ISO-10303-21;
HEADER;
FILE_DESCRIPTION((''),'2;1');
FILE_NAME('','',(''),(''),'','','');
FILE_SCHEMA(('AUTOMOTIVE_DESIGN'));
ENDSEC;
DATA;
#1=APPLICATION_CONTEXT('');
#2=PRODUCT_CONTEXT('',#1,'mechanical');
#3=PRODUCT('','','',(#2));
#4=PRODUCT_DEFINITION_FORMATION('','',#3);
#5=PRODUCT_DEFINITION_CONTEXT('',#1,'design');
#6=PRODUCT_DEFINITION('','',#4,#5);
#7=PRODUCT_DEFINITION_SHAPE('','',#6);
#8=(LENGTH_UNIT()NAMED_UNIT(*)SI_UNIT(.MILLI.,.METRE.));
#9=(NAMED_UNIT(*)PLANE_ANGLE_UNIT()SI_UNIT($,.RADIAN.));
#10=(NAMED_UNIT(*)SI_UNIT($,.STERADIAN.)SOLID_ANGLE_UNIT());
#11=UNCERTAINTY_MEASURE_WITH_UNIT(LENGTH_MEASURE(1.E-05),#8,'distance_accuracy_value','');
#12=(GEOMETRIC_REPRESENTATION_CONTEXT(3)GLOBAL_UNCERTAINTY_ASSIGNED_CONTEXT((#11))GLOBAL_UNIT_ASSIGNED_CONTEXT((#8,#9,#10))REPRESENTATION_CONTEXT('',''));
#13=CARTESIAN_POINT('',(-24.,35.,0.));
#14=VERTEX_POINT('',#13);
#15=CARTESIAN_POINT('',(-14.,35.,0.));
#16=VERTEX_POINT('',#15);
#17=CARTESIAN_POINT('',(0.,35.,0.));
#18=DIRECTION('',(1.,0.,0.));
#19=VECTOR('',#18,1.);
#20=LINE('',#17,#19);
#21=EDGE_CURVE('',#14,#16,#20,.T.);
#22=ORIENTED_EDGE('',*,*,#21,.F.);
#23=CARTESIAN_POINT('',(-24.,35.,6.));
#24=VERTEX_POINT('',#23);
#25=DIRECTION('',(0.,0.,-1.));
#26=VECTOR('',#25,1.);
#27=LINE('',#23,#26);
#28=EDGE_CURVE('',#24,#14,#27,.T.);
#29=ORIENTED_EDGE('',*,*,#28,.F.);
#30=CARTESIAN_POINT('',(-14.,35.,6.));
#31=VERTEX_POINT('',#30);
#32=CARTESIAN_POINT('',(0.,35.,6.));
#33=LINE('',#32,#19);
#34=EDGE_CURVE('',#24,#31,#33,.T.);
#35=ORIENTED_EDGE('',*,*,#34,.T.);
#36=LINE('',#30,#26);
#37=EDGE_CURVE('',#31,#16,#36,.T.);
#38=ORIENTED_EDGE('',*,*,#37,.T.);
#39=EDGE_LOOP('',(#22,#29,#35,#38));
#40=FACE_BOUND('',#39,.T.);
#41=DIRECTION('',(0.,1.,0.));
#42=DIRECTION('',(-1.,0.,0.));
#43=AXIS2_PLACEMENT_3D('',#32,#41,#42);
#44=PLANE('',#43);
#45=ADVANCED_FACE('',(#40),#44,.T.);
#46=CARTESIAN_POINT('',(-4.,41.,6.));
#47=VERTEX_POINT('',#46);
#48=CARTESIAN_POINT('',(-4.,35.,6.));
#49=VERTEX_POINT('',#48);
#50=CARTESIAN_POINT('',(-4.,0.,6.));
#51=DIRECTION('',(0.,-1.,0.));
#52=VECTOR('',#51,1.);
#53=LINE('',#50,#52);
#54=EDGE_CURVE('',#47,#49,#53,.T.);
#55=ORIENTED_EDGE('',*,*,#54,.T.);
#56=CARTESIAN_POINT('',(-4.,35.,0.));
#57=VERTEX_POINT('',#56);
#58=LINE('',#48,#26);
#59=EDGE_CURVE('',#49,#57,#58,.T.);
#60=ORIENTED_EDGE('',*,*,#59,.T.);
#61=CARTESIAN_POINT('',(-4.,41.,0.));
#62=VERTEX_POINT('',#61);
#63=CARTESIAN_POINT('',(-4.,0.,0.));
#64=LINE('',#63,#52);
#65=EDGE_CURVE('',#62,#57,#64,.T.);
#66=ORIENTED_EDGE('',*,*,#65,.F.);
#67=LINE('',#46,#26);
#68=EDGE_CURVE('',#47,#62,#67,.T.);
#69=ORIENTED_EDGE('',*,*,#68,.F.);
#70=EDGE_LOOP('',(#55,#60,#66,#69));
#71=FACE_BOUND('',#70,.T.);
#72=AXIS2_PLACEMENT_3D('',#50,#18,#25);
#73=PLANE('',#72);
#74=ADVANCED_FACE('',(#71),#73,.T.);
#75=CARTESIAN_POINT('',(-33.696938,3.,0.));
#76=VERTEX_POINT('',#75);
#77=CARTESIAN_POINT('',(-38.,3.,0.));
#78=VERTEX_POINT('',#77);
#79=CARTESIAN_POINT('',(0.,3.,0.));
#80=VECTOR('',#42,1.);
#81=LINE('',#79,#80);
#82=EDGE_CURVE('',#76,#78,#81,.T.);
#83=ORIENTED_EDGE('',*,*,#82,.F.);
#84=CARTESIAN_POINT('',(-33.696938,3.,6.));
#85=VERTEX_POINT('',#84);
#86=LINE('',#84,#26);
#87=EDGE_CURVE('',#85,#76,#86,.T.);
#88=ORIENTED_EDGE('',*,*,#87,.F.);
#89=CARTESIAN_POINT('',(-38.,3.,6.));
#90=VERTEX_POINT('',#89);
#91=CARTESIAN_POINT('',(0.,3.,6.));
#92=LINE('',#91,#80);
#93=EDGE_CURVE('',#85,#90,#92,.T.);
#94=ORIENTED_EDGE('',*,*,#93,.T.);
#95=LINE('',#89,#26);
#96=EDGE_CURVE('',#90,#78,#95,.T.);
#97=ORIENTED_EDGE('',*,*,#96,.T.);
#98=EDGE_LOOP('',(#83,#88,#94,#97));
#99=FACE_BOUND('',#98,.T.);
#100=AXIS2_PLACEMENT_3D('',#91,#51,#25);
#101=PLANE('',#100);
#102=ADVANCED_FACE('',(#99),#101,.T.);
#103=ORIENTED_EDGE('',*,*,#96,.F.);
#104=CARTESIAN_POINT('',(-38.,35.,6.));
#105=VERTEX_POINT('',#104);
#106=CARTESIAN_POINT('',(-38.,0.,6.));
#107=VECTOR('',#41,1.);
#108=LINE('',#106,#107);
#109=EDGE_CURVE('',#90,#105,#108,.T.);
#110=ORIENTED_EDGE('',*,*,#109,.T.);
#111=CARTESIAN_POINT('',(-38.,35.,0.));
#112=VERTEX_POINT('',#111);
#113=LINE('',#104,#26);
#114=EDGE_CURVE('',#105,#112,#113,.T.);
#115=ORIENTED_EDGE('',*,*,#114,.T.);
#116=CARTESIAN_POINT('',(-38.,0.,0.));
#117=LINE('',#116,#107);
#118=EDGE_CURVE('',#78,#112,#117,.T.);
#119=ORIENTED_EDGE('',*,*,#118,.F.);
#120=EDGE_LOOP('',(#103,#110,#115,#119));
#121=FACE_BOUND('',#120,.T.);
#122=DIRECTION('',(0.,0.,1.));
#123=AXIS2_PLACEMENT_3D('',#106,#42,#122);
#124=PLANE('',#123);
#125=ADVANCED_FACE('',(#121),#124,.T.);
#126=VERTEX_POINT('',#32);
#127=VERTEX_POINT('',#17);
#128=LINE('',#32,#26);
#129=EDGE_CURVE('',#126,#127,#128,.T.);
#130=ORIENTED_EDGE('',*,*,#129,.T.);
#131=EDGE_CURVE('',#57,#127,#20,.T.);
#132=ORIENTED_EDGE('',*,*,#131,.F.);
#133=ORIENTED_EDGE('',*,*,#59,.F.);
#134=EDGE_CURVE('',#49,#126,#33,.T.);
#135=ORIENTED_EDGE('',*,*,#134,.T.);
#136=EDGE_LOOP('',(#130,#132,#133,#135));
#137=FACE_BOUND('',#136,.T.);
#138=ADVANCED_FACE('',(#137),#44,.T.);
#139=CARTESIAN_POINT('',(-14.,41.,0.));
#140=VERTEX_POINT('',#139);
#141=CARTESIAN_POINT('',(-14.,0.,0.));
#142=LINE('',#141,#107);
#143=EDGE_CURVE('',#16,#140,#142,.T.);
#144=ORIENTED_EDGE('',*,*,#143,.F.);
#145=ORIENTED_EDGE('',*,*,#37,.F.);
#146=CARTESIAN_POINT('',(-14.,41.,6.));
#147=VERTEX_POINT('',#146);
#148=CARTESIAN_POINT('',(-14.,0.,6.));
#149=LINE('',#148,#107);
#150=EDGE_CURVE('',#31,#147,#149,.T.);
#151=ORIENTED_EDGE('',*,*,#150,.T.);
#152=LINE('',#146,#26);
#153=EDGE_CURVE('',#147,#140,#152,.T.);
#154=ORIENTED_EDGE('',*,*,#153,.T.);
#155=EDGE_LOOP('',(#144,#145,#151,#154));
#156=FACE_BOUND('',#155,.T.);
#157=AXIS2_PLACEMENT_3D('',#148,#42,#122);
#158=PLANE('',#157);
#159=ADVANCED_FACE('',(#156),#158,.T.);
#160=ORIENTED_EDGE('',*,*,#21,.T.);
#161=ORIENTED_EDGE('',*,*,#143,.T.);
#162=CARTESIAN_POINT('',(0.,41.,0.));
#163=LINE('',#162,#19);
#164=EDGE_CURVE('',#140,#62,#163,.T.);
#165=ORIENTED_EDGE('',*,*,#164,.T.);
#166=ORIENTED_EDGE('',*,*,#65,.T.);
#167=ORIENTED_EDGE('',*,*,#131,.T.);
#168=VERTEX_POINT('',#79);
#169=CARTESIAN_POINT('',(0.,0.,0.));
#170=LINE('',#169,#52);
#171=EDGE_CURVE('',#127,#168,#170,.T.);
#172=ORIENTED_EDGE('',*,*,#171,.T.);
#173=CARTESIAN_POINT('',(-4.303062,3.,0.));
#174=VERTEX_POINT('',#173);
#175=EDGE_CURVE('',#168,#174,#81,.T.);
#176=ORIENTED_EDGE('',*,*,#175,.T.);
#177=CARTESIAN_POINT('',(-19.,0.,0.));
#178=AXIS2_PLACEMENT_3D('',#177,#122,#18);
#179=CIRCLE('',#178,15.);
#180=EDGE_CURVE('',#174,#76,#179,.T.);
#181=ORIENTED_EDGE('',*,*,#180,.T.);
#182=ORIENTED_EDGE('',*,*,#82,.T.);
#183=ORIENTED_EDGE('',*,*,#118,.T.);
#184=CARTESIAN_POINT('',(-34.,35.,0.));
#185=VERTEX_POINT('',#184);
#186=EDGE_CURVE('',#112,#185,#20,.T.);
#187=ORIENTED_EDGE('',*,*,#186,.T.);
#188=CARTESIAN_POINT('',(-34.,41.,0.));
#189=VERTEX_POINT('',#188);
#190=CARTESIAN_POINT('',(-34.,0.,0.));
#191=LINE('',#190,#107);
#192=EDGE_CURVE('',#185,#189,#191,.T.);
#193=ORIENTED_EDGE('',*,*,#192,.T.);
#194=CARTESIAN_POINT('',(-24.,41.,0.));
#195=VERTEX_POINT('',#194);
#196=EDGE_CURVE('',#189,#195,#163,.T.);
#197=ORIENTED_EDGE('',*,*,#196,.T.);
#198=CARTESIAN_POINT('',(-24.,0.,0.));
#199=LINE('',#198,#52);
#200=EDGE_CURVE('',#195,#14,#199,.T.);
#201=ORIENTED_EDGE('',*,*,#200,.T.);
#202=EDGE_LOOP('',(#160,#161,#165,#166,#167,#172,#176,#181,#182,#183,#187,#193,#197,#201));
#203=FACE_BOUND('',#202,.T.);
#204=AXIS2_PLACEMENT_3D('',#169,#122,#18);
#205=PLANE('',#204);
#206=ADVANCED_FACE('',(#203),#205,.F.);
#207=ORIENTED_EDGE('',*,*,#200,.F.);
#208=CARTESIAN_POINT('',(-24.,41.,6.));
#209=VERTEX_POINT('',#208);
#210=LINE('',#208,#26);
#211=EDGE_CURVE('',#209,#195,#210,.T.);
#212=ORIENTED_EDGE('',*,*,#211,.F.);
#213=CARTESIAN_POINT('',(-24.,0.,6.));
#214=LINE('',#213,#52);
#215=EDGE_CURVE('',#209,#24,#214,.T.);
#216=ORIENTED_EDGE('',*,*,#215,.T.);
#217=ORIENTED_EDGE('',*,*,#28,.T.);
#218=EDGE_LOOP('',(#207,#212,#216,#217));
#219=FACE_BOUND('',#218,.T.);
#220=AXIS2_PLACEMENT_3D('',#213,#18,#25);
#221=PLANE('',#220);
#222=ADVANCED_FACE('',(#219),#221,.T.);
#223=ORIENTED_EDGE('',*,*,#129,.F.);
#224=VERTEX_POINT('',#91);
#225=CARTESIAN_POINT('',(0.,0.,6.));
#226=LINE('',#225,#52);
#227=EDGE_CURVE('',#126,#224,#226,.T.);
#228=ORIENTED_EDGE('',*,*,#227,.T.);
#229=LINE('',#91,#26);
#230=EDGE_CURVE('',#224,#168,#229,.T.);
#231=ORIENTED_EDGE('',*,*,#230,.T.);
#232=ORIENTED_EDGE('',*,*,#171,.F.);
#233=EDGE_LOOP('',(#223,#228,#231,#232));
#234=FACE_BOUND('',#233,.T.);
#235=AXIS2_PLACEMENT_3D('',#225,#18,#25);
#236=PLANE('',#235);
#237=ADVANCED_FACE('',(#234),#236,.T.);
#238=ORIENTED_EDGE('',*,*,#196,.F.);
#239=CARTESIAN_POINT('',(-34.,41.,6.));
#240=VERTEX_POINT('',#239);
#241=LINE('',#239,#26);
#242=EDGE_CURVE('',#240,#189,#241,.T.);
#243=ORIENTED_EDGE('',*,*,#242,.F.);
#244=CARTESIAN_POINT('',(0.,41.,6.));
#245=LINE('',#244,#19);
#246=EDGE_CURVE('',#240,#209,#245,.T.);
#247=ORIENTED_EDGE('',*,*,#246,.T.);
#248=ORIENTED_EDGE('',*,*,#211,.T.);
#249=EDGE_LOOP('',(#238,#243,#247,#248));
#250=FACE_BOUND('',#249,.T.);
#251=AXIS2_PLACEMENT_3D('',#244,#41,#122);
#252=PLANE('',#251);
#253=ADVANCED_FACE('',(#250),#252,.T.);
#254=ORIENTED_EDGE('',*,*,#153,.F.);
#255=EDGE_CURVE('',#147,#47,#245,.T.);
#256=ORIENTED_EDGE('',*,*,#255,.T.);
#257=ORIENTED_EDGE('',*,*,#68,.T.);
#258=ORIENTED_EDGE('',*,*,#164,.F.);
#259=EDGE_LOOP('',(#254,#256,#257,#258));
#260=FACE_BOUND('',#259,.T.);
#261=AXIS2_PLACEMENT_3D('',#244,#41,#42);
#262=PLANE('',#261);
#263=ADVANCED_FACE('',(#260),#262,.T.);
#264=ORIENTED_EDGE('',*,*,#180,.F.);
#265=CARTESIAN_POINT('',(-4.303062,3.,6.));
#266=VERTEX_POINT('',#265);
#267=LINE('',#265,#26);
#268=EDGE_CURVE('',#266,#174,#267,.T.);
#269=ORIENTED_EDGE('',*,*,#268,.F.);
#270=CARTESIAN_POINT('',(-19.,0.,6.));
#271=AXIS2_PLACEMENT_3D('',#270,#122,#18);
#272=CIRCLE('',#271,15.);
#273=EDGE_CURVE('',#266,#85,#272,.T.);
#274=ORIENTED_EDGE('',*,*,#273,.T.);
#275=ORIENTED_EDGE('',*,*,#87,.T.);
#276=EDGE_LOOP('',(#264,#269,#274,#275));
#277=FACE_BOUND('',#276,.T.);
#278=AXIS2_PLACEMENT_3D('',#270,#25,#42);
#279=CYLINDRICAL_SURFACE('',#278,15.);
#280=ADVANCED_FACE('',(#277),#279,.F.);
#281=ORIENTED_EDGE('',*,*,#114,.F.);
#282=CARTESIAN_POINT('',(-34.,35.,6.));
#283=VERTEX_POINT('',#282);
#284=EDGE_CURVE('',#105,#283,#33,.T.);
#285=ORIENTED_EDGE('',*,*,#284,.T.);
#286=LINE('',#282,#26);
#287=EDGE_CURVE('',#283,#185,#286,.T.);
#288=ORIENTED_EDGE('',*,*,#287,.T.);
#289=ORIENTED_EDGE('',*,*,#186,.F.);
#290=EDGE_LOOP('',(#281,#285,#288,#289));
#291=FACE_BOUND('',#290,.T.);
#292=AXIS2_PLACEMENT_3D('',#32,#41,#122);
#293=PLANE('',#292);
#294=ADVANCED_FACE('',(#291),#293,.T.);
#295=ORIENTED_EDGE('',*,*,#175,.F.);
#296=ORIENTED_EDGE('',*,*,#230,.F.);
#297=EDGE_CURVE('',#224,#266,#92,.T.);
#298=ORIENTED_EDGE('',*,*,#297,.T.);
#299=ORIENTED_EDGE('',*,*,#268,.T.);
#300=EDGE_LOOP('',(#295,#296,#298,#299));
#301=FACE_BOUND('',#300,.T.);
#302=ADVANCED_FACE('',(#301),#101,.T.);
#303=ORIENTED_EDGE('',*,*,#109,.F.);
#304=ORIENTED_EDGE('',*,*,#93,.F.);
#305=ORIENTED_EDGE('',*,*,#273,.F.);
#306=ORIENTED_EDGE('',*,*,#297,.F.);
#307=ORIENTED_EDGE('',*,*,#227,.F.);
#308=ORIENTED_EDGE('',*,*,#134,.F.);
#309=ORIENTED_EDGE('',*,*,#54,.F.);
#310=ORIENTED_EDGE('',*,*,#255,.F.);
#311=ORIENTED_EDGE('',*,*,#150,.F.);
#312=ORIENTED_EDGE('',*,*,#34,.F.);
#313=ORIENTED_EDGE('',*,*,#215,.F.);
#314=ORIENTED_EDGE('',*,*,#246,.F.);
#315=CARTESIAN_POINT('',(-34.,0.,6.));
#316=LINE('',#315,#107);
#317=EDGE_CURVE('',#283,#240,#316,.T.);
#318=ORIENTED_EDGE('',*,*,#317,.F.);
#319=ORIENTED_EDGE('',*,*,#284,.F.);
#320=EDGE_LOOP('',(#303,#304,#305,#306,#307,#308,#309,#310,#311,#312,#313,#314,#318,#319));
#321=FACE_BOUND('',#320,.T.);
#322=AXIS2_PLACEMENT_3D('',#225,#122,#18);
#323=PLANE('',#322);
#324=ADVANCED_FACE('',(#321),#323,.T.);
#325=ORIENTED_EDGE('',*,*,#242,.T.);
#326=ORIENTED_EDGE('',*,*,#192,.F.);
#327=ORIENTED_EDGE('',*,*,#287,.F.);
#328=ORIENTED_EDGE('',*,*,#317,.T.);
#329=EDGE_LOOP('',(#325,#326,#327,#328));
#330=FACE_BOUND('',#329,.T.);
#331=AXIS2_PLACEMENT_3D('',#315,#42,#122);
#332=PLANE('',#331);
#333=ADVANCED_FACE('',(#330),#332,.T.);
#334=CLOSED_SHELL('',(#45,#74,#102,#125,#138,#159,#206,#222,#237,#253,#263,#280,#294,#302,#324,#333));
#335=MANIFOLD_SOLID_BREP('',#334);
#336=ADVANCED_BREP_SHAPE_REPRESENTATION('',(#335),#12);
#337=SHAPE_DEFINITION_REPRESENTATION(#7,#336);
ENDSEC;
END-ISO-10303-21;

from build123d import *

# Parameters (mm, degrees)
BOSS_EXTRUDE1_DEPTH = 6


with BuildPart() as part:
    # Sketch1 → Boss-Extrude1 (new body)
    with BuildSketch(Plane.XY):
        with BuildLine():
            Line((-38, 35), (-38, 4))
            Line((-38, 4), (-38, 3))
            Line((-38, 3), (-33.696938457, 3))
            ThreePointArc((-33.696938457, 3), (-19, 15), (-4.303061543, 3))
            Line((-4.303061543, 3), (0, 3))
            Line((0, 3), (0, 4))
            Line((0, 4), (0, 35))
            Line((0, 35), (-4, 35))
            Line((-4, 35), (-4, 41))
            Line((-4, 41), (-14, 41))
            Line((-14, 41), (-14, 35))
            Line((-14, 35), (-24, 35))
            Line((-24, 35), (-24, 41))
            Line((-24, 41), (-34, 41))
            Line((-34, 41), (-34, 35))
            Line((-34, 35), (-38, 35))
        make_face()
    extrude(amount=BOSS_EXTRUDE1_DEPTH)


solid = part.part
